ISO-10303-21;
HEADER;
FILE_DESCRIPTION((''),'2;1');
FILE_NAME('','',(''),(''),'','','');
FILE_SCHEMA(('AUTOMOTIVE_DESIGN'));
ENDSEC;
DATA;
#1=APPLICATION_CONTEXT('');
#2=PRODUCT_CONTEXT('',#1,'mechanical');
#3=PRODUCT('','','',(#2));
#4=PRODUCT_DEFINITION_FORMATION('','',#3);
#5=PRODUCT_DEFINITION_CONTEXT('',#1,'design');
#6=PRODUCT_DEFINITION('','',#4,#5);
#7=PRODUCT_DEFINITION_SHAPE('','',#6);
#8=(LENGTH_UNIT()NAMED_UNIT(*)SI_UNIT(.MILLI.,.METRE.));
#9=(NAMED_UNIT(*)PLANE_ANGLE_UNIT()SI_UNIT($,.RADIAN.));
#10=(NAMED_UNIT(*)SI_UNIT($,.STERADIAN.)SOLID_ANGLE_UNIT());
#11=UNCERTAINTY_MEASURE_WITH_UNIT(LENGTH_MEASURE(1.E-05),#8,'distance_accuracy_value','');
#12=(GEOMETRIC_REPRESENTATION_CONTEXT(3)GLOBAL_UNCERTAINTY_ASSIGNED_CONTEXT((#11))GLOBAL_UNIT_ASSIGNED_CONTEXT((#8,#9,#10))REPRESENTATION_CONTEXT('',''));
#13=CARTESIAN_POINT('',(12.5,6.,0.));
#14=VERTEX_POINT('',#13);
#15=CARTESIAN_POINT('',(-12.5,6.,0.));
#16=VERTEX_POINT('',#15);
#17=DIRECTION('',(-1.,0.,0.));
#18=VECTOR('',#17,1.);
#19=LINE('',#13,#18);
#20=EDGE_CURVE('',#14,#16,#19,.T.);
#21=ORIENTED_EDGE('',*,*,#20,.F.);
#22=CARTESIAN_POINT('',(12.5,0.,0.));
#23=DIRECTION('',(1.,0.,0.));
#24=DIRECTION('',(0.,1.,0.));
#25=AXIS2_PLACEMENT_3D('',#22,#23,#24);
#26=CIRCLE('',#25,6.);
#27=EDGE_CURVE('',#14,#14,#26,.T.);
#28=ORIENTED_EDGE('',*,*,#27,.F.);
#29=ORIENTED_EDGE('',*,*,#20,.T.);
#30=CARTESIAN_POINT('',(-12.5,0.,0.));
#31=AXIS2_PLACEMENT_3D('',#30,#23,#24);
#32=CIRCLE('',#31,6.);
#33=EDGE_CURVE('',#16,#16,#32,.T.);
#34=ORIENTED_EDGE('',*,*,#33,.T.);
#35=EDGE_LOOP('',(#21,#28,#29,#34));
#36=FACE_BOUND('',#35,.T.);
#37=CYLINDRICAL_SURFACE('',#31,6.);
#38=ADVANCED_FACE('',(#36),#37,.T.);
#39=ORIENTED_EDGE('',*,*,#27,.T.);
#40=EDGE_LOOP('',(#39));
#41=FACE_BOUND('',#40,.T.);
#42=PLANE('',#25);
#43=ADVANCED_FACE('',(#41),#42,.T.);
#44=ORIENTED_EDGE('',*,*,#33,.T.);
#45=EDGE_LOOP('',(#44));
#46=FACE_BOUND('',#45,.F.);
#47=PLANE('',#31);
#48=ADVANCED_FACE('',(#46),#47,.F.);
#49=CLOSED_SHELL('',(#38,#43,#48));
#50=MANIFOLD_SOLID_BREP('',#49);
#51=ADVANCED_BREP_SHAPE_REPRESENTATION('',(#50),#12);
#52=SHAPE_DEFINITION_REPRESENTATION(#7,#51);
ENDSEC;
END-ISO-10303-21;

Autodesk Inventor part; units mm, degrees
ref_plane "YZ Plane" through (0, 0, 0) normal (1, 0, 0) x (0, 1, 0)
ref_plane "XZ Plane" through (0, 0, 0) normal (0, 1, 0) x (-1, 0, 0)
sketch "Эскиз1" plane through (0, 0, 0) normal (0, 0, 1) x (1, 0, 0)
  line L0 (12.5, 6) -> (12.5, 0)
  line L1 (-12.5, 0) -> (12.5, 0)
  line L2 (-17.5, 0) -> (17.5, 0) projected
  line L3 (0, 7.2) -> (0, -1.2) projected
  line L4 (-12.5, 6) -> (-12.5, 0)
  line L5 (0, 6) -> (0, 0) construction
  line L6 (-17.5, 0) -> (17.5, 0) projected
  line L7 (-12.5, 6) -> (12.5, 6)
  dimension "d13" = 12
  dimension "d87" = 25
  dimension "d88" = 12.5
revolve "Базовый элемент" add sketch "Эскиз1" angle 360 about axis through (-12.5, 0, 0) along (1, 0, 0)
thread "Резьба1" size "M12x1.75" class "6g" standard "ISO Metric profile" length 25
ref_plane "Work Plane1" through (2.75, 0, 0) normal (0, -1, 0) x (1, 0, 0)
equation "\"d13\" = NND"
equation "\"d87\" = NLG"
equation "\"d88\" = 0.5 * NLG"
equation "\"d1\" = GEL"
equation "\"NLG\" = 25"
equation "\"GEL\" = NLG"
equation "\"GAL\" = 0.61345 * PTC"
equation "\"SPD\" = 9.601"
equation "\"d0\" = NND"
equation "\"GUL\" = 0.61345 * PTC"
equation "\"NND\" = 12"
equation "\"GUL1\" = GUL"
equation "\"GAL1\" = GAL"
equation "\"d89\" = -GEL + GUL1"
equation "\"d90\" = -GUL - GEL"
equation "\"PTC\" = 1.75"
equation "\"THREADDIA\" = 12"
equation "\"TOA\" = 30deg"
equation "\"GD1\" = THREADDIA - 1.2269 * PTC"
properties part number "DIN 976-1 - M12 x 25 - A" material "Сталь, мягкая"
